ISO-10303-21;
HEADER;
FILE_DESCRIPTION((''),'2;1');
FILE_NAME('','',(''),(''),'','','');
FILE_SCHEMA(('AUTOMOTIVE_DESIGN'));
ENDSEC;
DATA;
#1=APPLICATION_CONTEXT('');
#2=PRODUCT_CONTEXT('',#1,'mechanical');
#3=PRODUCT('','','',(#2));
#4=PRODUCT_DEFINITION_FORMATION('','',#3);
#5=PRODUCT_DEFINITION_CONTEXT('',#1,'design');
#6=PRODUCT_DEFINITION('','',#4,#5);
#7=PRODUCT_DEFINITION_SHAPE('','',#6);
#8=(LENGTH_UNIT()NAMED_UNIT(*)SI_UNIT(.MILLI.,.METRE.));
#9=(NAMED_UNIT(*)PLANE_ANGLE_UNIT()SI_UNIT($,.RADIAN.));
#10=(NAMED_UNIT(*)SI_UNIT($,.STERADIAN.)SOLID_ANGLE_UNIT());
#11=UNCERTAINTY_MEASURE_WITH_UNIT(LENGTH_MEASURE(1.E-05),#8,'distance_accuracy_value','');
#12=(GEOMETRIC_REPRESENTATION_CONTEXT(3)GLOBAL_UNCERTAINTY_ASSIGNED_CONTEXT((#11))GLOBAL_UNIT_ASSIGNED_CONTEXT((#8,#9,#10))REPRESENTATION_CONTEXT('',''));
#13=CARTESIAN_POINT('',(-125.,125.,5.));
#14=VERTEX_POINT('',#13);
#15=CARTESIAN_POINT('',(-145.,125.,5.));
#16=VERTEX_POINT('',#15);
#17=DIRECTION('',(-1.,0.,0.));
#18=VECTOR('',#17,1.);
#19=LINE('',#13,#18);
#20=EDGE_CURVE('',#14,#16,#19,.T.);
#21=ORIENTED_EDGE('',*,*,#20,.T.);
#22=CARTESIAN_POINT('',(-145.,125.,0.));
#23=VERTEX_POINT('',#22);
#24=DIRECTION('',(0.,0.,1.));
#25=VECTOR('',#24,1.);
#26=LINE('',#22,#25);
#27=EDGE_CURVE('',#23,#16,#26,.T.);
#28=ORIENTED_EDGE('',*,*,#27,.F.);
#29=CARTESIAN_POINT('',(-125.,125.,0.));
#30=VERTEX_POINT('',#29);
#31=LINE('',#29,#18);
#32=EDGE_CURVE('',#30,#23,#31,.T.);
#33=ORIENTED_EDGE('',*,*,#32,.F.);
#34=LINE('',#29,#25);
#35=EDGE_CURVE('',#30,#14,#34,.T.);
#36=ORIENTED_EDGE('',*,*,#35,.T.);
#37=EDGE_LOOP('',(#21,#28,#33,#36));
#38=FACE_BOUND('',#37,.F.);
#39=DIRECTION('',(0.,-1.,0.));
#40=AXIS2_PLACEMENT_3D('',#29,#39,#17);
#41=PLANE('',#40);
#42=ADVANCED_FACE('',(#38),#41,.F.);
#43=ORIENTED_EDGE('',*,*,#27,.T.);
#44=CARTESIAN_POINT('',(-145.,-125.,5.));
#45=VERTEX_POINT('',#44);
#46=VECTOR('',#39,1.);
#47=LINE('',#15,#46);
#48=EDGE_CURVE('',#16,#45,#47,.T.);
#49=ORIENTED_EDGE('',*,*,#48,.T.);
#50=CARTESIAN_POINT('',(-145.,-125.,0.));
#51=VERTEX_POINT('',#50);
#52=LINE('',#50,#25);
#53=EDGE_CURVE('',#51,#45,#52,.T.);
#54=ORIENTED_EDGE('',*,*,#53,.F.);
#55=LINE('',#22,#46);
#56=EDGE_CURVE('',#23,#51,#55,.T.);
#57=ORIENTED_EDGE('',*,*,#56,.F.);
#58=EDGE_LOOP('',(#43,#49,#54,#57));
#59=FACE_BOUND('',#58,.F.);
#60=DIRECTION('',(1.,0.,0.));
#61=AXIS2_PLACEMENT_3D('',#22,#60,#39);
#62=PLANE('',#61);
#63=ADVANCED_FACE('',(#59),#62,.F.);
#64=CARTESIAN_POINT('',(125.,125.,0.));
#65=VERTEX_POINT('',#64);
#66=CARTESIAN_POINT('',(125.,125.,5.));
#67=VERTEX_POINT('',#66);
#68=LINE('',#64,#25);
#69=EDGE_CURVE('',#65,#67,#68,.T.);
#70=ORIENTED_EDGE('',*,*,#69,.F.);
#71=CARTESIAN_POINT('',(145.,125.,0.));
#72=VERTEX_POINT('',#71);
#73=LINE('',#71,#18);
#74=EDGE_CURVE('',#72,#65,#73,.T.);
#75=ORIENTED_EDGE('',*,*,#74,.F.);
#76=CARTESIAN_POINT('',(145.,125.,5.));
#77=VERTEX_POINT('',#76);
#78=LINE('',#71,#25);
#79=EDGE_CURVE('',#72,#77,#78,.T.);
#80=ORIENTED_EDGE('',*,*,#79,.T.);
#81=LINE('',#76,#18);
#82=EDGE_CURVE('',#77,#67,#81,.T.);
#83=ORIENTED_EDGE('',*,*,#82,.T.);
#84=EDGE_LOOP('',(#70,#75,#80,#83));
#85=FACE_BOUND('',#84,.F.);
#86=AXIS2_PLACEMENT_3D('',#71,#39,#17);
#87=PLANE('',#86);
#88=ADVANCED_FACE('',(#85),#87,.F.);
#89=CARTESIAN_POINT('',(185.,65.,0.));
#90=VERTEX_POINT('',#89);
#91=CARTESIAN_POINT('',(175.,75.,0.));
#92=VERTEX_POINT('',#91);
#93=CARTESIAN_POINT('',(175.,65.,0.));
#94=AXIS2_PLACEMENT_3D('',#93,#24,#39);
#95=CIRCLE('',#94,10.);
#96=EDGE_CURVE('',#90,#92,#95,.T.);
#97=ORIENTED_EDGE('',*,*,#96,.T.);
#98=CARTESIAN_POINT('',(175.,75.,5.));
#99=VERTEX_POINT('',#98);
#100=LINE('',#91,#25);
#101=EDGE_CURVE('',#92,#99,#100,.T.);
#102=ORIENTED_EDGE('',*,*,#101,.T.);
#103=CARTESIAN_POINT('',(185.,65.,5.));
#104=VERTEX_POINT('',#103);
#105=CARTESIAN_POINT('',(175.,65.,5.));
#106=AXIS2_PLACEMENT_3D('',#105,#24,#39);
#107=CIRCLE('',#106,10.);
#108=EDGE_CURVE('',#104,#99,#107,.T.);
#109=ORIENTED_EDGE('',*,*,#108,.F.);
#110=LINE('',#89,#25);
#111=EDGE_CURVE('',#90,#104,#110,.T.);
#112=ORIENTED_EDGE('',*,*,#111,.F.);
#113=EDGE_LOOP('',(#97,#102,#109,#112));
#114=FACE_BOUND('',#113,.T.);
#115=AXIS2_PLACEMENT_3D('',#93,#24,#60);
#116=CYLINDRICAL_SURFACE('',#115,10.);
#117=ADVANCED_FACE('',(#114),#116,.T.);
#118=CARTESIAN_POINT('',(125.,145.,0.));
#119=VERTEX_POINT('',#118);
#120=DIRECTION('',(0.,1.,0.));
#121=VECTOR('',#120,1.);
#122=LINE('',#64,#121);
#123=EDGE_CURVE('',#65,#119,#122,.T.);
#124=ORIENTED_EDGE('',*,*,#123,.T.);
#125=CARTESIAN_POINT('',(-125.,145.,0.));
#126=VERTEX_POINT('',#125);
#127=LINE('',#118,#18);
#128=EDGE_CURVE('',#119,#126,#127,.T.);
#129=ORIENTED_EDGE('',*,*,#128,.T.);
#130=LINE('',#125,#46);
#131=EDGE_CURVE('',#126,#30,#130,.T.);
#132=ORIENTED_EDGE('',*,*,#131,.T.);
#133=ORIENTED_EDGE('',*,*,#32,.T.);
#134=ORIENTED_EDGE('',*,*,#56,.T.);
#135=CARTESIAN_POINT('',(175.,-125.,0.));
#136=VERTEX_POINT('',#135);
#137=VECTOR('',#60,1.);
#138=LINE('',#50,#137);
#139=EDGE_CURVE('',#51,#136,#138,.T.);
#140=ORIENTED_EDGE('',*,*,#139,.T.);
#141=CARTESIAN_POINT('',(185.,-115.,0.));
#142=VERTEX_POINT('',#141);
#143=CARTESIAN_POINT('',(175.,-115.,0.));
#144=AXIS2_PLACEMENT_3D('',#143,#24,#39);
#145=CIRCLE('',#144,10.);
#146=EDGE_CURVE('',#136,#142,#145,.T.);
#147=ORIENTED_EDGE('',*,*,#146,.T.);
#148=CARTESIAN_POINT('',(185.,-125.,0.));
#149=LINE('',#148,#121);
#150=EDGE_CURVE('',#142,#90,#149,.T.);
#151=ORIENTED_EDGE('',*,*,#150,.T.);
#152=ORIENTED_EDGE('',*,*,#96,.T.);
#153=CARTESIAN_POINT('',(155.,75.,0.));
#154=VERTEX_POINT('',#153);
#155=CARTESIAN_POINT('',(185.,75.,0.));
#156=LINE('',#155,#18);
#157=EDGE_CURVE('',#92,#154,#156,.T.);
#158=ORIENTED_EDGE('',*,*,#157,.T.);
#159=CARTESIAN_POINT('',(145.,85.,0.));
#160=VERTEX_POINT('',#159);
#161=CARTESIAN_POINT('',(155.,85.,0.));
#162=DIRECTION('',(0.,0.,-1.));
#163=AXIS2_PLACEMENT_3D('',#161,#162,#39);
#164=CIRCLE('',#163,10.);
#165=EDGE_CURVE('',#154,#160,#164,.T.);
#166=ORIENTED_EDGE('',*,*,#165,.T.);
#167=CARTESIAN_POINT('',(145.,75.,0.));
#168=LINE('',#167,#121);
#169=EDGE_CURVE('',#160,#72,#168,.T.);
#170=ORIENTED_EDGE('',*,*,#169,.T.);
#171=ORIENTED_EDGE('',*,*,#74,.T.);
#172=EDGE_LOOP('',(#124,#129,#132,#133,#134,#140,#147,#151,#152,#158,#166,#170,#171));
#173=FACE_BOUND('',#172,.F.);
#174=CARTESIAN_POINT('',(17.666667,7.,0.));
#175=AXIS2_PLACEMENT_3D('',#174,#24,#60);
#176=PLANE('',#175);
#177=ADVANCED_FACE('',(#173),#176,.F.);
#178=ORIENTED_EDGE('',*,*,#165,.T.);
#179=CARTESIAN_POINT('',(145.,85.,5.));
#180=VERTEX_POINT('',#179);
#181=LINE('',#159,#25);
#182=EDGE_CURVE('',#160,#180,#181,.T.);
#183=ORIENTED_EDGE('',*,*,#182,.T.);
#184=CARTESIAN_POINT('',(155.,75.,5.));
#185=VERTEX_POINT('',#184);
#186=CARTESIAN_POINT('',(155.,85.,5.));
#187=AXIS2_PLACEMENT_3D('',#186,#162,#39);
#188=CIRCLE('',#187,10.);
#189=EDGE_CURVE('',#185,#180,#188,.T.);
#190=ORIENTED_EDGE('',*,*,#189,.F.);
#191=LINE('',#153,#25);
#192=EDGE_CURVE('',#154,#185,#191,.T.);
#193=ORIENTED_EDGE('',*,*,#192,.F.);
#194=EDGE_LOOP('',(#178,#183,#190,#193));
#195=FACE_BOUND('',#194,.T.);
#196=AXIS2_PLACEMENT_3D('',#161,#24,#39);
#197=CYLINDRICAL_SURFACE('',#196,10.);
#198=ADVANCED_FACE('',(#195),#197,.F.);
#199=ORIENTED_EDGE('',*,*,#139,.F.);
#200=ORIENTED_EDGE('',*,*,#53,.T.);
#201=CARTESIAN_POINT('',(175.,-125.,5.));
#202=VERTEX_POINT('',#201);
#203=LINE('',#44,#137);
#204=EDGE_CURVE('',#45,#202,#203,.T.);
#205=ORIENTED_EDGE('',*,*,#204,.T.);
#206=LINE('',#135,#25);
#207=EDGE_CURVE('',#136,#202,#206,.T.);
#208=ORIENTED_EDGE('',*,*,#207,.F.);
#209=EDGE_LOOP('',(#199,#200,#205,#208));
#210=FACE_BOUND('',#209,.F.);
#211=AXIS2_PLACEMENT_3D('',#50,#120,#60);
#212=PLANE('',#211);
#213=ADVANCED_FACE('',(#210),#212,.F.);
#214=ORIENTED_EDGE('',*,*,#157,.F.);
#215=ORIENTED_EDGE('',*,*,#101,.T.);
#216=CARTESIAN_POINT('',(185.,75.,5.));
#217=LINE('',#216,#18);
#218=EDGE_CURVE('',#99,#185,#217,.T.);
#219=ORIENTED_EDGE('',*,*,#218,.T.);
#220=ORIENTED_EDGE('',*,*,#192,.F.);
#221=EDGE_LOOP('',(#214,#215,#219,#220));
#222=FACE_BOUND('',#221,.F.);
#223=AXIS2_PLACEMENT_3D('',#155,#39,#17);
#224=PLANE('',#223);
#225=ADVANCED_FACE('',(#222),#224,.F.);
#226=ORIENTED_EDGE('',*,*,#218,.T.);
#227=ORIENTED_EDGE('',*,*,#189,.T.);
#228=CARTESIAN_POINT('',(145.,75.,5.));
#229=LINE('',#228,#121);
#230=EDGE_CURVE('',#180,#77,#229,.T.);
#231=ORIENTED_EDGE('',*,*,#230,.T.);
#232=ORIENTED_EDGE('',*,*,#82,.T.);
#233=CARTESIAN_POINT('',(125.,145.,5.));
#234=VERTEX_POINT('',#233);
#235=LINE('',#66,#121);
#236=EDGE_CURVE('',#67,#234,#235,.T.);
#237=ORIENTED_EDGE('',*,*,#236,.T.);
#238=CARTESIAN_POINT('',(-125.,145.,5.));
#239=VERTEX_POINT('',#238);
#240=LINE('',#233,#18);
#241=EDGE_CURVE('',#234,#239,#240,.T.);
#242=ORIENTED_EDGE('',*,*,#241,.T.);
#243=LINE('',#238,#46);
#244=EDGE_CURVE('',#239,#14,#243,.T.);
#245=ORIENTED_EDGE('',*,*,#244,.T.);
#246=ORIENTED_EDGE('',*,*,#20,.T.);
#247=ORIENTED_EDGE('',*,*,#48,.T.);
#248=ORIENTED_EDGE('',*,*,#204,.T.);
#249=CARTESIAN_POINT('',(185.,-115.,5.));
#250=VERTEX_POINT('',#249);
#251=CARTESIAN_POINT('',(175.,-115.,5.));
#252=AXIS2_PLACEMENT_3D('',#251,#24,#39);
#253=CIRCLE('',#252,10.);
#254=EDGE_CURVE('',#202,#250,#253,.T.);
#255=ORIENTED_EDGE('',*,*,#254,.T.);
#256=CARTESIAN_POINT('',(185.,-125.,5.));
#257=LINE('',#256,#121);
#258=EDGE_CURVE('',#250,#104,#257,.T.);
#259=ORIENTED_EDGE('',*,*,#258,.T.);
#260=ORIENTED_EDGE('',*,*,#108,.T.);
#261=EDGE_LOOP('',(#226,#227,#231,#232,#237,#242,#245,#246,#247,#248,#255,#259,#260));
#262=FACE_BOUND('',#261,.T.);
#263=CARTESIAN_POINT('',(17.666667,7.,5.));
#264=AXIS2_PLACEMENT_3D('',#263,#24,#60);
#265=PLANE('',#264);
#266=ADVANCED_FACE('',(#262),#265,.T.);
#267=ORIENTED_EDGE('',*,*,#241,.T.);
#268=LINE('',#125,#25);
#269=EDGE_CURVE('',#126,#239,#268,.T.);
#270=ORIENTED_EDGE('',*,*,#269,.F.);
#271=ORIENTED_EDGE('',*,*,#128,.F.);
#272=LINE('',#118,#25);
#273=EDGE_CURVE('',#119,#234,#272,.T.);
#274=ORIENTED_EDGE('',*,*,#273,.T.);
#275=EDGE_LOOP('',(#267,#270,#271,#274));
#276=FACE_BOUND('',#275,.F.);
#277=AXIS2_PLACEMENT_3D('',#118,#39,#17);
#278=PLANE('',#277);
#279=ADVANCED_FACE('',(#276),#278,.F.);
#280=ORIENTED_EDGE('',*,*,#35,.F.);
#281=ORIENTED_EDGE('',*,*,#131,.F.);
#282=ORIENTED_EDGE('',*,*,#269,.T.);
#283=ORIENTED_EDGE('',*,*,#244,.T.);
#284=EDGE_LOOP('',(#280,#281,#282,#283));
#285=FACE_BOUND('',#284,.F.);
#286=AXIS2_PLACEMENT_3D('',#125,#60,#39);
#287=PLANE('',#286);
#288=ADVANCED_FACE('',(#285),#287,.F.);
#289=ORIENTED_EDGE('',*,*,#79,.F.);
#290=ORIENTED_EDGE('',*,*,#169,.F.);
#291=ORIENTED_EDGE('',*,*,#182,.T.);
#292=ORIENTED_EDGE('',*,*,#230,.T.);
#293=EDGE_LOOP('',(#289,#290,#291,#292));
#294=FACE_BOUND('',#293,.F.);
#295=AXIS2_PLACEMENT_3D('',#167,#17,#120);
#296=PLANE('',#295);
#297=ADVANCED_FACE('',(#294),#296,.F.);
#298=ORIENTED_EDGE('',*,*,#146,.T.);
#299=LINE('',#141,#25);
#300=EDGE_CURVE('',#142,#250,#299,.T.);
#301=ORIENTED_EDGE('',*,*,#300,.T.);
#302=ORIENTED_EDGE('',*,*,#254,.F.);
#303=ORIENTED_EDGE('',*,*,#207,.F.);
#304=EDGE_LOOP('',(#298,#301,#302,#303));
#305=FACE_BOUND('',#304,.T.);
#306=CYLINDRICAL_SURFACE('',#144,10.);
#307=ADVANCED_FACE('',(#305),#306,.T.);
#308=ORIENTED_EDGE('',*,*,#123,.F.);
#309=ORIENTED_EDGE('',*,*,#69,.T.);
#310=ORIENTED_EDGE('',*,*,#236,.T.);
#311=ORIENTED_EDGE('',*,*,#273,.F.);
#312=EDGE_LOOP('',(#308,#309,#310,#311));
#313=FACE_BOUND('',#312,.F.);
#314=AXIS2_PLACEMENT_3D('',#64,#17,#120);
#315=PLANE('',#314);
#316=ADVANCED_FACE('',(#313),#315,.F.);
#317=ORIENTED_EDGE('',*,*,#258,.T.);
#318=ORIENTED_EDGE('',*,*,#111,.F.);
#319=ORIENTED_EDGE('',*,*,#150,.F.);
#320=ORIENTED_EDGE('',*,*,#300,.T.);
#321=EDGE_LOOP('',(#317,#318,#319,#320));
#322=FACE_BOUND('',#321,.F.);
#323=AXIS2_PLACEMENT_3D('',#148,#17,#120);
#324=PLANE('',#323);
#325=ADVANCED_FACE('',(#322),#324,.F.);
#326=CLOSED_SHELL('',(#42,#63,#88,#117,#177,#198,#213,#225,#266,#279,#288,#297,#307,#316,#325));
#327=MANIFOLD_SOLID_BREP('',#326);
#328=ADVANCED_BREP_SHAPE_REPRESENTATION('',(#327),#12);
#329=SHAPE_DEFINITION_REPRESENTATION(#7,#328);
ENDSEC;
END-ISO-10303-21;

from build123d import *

# Parameters (mm, degrees)
F1_DEPTH = 5
F2_R     = 10


with BuildPart() as f1:
    # F0 (on Top) → F1 (new body)
    with BuildSketch(Plane.XY):
        Polygon((-145, -125), (145, -125), (185, -125), (185, 75), (145, 75), (145, 125), (125, 125), (125, 145), (-125, 145), (-125, 125), (-145, 125), align=None)
    extrude(amount=F1_DEPTH)

    # F2
    f2_edges = [f1.edges().sort_by_distance(p)[0] for p in [
        (185, -125, 2.5),
        (185, 75, 2.5),
        (145, 75, 2.5),
    ]]
    fillet(f2_edges, radius=F2_R)


solid = f1.part
